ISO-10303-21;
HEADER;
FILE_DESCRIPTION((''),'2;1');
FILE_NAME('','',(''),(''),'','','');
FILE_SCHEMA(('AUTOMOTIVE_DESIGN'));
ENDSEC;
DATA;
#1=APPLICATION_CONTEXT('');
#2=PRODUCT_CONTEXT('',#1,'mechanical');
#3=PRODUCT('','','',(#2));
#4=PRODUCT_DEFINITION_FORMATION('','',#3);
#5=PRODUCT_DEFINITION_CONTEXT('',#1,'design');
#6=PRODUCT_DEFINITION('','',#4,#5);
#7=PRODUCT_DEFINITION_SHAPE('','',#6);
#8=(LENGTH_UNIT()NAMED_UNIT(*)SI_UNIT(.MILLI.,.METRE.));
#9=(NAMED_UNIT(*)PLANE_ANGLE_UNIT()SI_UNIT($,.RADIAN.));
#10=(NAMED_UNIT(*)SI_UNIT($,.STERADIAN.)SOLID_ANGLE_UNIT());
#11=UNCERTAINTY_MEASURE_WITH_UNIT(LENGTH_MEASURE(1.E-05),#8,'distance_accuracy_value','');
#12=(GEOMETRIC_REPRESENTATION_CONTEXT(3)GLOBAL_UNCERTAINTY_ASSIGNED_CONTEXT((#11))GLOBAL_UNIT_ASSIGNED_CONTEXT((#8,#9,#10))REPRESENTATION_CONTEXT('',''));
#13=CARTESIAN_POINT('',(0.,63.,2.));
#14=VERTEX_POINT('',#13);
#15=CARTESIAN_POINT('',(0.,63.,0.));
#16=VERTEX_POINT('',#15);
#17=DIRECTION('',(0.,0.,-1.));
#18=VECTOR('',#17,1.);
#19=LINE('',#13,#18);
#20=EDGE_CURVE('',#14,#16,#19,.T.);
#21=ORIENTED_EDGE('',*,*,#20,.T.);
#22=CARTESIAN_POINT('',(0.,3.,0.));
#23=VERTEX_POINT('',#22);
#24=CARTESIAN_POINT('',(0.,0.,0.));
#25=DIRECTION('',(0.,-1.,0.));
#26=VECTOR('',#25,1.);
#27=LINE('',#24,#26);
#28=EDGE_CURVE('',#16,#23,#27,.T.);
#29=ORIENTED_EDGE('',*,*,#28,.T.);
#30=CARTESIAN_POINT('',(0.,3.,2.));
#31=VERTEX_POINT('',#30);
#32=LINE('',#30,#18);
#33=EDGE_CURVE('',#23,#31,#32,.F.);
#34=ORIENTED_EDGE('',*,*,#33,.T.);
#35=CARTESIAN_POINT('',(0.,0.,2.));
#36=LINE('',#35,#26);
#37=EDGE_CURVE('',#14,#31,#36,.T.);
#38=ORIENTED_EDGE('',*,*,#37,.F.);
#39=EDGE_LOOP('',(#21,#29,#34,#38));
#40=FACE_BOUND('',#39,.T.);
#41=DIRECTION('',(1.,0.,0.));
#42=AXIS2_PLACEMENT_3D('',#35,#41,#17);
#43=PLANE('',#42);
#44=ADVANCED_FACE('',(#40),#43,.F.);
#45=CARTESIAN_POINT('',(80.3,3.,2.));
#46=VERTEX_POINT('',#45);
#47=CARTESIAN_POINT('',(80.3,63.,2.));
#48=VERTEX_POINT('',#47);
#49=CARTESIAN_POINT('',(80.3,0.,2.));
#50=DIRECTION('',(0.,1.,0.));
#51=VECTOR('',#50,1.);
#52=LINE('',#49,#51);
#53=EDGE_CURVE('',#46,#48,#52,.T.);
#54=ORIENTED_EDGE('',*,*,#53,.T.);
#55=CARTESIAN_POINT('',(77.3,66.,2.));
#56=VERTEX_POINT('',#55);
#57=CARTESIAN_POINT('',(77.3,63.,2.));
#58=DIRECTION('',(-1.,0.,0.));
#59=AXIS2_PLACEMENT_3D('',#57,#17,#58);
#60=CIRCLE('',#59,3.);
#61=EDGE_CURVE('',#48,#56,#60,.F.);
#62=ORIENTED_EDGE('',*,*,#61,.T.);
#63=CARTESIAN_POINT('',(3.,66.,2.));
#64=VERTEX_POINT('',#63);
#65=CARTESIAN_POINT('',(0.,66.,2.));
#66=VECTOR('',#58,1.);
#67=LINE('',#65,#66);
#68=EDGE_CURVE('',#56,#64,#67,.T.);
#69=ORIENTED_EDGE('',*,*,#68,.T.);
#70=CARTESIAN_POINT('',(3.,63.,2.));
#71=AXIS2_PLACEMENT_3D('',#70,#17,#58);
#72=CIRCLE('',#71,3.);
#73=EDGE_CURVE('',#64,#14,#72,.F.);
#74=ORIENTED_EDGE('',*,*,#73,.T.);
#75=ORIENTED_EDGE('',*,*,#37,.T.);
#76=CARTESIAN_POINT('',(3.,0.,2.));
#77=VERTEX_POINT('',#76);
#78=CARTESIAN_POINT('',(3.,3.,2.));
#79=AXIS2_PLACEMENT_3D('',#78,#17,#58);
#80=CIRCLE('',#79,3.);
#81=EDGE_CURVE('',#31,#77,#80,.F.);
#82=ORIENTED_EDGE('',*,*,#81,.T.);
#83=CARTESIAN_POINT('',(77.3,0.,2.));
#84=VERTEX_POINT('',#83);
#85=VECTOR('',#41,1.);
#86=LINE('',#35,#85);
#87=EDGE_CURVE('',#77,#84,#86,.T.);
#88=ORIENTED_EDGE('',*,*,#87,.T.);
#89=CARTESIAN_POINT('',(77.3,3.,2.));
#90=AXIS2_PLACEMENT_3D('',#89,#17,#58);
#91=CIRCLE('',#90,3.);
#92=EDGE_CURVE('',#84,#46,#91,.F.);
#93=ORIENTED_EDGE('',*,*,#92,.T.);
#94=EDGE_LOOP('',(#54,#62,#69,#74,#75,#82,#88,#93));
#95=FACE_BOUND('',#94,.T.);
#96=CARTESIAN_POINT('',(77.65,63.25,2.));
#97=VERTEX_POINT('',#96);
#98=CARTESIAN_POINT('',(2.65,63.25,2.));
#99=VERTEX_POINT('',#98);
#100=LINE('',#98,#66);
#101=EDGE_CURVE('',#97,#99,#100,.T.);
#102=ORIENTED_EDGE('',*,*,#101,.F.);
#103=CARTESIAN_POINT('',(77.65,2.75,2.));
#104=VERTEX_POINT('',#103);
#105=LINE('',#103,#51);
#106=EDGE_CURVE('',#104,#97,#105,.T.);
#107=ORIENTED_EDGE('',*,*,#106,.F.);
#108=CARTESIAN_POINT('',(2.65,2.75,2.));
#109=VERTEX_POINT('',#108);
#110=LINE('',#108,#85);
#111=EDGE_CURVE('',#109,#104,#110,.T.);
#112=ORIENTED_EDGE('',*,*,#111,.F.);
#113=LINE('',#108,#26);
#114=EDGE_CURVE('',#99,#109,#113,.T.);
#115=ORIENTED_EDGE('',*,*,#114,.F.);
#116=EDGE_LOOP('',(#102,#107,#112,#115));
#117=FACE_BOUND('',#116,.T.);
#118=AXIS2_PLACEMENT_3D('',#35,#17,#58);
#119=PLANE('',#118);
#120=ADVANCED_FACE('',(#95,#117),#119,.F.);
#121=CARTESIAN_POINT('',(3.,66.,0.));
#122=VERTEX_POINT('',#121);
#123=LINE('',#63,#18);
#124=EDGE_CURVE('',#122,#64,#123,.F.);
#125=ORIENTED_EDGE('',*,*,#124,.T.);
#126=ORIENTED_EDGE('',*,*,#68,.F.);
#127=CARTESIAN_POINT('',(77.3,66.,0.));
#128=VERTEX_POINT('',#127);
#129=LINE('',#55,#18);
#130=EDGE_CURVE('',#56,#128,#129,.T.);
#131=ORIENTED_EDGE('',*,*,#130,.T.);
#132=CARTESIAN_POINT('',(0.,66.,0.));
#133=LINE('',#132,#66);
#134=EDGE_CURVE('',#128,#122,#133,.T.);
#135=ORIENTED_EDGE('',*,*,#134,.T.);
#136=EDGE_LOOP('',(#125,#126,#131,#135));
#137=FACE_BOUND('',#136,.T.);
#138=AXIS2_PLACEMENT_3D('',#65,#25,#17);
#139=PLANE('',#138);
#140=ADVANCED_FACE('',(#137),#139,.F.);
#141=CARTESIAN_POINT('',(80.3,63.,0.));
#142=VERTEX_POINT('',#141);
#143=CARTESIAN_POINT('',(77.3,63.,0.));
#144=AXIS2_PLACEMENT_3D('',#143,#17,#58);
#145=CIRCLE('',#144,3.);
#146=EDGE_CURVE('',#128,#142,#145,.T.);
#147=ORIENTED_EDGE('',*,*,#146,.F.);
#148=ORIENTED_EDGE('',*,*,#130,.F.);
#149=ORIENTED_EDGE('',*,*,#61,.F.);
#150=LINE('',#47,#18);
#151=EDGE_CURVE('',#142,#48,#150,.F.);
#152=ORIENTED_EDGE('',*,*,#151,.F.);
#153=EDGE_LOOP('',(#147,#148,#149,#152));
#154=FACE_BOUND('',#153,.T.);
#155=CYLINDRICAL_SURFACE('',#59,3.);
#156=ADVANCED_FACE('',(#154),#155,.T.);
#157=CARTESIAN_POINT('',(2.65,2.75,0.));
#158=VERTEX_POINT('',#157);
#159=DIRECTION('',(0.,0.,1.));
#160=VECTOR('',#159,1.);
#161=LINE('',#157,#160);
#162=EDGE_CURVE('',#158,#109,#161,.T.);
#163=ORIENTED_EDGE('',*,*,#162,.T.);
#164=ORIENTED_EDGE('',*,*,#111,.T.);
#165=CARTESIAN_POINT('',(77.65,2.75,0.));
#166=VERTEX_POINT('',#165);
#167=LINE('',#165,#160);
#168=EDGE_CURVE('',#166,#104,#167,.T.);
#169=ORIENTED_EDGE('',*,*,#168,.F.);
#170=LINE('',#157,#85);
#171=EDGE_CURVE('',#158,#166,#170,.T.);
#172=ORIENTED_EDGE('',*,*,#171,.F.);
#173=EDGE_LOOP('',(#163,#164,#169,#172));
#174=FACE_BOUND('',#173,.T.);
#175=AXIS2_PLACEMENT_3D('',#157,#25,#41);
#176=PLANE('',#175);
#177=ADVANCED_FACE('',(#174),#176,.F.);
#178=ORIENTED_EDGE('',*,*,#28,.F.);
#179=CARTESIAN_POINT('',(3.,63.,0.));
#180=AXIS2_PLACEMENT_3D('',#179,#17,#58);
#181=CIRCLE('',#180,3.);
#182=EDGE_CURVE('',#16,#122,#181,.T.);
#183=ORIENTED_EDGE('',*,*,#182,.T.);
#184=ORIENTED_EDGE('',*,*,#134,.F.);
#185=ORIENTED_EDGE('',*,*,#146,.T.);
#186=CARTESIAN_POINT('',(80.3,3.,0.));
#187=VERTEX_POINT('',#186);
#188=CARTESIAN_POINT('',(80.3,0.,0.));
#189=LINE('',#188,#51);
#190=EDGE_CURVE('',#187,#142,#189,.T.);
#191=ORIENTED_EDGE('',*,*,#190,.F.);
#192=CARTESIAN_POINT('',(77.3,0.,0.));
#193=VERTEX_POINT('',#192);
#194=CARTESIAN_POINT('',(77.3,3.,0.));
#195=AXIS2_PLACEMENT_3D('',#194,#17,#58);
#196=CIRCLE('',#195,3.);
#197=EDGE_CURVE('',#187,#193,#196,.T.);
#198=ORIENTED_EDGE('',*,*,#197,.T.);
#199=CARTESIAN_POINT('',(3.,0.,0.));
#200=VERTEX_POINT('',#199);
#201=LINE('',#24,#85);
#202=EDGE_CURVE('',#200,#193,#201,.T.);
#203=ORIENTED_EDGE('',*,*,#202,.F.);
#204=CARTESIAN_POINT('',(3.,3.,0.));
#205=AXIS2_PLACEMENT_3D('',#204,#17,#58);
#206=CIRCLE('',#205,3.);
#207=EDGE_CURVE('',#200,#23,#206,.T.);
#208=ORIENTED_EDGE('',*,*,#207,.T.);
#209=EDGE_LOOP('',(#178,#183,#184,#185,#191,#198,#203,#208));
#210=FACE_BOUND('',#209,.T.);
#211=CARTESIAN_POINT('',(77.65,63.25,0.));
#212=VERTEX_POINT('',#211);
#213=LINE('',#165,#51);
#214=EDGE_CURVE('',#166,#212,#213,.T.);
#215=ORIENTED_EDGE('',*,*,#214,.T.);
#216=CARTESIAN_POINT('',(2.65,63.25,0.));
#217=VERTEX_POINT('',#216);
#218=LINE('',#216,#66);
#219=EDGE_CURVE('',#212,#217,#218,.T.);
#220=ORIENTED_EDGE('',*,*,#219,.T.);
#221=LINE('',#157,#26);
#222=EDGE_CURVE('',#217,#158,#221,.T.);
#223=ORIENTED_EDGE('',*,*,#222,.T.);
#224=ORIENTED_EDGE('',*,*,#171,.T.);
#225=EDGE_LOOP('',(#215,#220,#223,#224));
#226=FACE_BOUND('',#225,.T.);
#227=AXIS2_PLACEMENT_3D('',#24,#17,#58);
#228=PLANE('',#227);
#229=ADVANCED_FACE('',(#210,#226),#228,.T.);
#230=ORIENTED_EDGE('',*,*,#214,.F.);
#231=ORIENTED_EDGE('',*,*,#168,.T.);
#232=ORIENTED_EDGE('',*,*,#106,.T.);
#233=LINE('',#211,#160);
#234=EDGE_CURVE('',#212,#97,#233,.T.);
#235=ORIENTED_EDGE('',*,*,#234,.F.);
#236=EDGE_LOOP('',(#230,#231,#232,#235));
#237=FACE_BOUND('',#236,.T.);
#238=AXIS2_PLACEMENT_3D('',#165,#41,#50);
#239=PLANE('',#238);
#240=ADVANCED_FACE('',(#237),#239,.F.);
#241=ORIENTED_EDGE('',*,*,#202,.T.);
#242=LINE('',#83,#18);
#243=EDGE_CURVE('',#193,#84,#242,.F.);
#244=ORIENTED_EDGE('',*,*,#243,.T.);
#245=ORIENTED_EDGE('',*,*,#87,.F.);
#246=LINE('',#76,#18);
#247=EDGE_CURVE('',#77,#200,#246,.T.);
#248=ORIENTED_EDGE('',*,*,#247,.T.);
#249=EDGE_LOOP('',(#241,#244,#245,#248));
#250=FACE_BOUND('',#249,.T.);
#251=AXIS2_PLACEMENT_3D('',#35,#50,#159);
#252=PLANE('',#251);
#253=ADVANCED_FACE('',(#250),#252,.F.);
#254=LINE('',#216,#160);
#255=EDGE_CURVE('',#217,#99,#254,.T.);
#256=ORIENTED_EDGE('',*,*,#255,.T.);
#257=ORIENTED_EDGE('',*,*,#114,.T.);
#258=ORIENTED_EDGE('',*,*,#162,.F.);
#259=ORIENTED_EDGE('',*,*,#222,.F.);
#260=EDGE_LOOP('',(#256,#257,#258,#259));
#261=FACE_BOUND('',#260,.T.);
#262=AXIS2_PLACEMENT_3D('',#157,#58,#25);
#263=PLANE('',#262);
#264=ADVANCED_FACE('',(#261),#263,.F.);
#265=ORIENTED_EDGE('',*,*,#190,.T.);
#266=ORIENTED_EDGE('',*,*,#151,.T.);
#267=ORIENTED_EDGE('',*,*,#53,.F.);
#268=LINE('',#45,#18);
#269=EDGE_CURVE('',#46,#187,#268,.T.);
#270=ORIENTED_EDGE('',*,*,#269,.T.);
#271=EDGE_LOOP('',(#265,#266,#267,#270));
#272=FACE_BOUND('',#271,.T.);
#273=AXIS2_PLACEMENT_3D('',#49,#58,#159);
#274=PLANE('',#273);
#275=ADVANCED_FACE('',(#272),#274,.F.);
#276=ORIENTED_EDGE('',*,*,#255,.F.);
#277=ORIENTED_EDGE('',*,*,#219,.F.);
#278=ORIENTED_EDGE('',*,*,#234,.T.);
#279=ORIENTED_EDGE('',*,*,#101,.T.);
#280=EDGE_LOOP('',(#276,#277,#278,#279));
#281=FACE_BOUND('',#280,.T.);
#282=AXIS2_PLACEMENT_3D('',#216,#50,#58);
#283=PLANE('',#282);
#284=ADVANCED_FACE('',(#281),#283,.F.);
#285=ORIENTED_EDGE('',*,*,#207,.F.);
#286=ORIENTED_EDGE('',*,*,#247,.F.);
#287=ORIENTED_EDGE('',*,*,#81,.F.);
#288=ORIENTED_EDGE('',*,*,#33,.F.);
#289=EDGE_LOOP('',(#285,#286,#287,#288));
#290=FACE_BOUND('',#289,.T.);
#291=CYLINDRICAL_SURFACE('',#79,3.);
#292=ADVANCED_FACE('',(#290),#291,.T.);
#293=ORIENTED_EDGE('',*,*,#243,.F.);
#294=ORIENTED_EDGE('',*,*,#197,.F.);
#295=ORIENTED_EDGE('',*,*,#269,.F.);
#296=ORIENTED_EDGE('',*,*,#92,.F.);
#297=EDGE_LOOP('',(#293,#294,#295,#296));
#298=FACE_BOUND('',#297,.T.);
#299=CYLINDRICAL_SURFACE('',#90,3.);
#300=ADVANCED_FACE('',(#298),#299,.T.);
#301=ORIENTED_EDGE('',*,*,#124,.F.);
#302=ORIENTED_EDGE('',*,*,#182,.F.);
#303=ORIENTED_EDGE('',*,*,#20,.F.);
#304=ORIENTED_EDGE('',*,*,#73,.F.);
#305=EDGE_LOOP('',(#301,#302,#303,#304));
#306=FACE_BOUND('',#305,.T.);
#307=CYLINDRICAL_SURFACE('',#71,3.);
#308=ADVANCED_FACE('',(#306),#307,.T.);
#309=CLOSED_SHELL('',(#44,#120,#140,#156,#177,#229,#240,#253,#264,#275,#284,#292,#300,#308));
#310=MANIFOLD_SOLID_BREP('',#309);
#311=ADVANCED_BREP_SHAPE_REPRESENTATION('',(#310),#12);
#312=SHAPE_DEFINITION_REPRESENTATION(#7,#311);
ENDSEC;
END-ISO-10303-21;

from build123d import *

# Parameters (mm, degrees)
SKETCH1_W                  = 80.3
SKETCH1_H                  = 66
BOSS_EXTRUDE1_DEPTH        = 2
F_3_2_3_2_DIAMETER_HOLE1_D = 3.2
FILLET1_R                  = 3
SKETCH4_W                  = 75
SKETCH4_H                  = 60.5
CUT_EXTRUDE1_DEPTH         = 3


with BuildPart() as part:
    # Sketch1 → Boss-Extrude1 (new body)
    with BuildSketch(Plane.XY):
        with Locations((40.15, 33)):
            Rectangle(SKETCH1_W, SKETCH1_H)
    extrude(amount=BOSS_EXTRUDE1_DEPTH)

    # Ø3.2 (3.2) Diameter Hole1 (through all)
    with Locations(Plane.XY.offset(2)):
        with Locations((7, 59), (73.3, 59), (73.3, 7), (7, 7)):
            Hole(F_3_2_3_2_DIAMETER_HOLE1_D / 2)

    # Fillet1
    fillet1_edges = [part.edges().sort_by_distance(p)[0] for p in [
        (0, 66, 1),
        (80.3, 66, 1),
        (80.3, 0, 1),
        (0, 0, 1),
    ]]
    fillet(fillet1_edges, radius=FILLET1_R)

    # Sketch4 → Cut-Extrude1 (cut, through all)
    with BuildSketch(Plane.XY.offset(2)):
        with Locations((40.15, 33)):
            Rectangle(SKETCH4_W, SKETCH4_H)
    extrude(amount=-CUT_EXTRUDE1_DEPTH, mode=Mode.SUBTRACT)


solid = part.part
